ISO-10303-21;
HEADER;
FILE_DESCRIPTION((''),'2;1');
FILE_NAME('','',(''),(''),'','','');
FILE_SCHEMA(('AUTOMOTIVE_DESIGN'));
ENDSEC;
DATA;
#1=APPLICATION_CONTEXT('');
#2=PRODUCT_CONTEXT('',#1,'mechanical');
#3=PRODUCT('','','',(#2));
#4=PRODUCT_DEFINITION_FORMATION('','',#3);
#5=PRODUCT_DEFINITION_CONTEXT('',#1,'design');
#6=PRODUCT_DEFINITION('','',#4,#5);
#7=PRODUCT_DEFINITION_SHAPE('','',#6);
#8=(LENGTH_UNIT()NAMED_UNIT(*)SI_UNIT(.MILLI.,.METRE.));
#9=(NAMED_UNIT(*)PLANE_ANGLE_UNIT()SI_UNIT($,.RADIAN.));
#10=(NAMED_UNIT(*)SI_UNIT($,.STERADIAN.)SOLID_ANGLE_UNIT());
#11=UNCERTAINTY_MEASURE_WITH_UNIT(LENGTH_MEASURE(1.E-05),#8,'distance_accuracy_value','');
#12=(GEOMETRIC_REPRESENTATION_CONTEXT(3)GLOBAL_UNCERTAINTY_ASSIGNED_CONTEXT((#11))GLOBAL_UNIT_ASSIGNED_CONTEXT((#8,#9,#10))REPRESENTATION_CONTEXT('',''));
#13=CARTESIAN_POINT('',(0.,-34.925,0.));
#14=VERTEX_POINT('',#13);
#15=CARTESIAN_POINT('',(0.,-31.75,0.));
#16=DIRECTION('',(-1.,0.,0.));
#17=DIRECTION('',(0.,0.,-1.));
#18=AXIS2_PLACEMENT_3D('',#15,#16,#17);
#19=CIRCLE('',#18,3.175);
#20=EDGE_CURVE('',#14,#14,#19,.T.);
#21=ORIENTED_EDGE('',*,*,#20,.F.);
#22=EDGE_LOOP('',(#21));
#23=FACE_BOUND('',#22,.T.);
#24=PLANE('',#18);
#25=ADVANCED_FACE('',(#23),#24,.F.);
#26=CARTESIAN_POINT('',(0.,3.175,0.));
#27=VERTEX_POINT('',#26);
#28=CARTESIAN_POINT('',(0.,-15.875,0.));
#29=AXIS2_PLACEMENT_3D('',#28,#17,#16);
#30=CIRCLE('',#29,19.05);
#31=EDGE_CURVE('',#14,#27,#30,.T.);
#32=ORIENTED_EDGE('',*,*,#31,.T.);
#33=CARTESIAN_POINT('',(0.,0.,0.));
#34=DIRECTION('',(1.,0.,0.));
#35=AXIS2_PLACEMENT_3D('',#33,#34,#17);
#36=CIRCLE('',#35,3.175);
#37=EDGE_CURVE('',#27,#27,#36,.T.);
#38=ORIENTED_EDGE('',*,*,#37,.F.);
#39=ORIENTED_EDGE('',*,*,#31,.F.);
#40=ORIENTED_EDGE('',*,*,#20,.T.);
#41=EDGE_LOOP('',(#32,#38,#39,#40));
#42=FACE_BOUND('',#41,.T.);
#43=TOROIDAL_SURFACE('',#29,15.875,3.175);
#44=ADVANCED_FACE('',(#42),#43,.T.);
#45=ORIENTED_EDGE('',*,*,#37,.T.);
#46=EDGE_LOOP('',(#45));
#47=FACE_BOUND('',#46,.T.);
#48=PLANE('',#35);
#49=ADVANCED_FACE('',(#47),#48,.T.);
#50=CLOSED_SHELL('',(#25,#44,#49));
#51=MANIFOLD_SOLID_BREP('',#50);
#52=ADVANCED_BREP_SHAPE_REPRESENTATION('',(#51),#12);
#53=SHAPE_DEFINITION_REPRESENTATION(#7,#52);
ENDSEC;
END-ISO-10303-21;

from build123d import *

# Parameters (mm, degrees)
SKETCH1_R      = 3.175
REVOLVE1_ANGLE = 180


with BuildPart() as part:
    # Sketch1 → Revolve1 (revolve)
    with BuildSketch(Plane(origin=(0, 0, 0), x_dir=(0, 0, -1), z_dir=(1, 0, 0))):
        Circle(SKETCH1_R)
    revolve(axis=Axis((0, -15.875, 0), (0, 0, 1)), revolution_arc=REVOLVE1_ANGLE)


solid = part.part
